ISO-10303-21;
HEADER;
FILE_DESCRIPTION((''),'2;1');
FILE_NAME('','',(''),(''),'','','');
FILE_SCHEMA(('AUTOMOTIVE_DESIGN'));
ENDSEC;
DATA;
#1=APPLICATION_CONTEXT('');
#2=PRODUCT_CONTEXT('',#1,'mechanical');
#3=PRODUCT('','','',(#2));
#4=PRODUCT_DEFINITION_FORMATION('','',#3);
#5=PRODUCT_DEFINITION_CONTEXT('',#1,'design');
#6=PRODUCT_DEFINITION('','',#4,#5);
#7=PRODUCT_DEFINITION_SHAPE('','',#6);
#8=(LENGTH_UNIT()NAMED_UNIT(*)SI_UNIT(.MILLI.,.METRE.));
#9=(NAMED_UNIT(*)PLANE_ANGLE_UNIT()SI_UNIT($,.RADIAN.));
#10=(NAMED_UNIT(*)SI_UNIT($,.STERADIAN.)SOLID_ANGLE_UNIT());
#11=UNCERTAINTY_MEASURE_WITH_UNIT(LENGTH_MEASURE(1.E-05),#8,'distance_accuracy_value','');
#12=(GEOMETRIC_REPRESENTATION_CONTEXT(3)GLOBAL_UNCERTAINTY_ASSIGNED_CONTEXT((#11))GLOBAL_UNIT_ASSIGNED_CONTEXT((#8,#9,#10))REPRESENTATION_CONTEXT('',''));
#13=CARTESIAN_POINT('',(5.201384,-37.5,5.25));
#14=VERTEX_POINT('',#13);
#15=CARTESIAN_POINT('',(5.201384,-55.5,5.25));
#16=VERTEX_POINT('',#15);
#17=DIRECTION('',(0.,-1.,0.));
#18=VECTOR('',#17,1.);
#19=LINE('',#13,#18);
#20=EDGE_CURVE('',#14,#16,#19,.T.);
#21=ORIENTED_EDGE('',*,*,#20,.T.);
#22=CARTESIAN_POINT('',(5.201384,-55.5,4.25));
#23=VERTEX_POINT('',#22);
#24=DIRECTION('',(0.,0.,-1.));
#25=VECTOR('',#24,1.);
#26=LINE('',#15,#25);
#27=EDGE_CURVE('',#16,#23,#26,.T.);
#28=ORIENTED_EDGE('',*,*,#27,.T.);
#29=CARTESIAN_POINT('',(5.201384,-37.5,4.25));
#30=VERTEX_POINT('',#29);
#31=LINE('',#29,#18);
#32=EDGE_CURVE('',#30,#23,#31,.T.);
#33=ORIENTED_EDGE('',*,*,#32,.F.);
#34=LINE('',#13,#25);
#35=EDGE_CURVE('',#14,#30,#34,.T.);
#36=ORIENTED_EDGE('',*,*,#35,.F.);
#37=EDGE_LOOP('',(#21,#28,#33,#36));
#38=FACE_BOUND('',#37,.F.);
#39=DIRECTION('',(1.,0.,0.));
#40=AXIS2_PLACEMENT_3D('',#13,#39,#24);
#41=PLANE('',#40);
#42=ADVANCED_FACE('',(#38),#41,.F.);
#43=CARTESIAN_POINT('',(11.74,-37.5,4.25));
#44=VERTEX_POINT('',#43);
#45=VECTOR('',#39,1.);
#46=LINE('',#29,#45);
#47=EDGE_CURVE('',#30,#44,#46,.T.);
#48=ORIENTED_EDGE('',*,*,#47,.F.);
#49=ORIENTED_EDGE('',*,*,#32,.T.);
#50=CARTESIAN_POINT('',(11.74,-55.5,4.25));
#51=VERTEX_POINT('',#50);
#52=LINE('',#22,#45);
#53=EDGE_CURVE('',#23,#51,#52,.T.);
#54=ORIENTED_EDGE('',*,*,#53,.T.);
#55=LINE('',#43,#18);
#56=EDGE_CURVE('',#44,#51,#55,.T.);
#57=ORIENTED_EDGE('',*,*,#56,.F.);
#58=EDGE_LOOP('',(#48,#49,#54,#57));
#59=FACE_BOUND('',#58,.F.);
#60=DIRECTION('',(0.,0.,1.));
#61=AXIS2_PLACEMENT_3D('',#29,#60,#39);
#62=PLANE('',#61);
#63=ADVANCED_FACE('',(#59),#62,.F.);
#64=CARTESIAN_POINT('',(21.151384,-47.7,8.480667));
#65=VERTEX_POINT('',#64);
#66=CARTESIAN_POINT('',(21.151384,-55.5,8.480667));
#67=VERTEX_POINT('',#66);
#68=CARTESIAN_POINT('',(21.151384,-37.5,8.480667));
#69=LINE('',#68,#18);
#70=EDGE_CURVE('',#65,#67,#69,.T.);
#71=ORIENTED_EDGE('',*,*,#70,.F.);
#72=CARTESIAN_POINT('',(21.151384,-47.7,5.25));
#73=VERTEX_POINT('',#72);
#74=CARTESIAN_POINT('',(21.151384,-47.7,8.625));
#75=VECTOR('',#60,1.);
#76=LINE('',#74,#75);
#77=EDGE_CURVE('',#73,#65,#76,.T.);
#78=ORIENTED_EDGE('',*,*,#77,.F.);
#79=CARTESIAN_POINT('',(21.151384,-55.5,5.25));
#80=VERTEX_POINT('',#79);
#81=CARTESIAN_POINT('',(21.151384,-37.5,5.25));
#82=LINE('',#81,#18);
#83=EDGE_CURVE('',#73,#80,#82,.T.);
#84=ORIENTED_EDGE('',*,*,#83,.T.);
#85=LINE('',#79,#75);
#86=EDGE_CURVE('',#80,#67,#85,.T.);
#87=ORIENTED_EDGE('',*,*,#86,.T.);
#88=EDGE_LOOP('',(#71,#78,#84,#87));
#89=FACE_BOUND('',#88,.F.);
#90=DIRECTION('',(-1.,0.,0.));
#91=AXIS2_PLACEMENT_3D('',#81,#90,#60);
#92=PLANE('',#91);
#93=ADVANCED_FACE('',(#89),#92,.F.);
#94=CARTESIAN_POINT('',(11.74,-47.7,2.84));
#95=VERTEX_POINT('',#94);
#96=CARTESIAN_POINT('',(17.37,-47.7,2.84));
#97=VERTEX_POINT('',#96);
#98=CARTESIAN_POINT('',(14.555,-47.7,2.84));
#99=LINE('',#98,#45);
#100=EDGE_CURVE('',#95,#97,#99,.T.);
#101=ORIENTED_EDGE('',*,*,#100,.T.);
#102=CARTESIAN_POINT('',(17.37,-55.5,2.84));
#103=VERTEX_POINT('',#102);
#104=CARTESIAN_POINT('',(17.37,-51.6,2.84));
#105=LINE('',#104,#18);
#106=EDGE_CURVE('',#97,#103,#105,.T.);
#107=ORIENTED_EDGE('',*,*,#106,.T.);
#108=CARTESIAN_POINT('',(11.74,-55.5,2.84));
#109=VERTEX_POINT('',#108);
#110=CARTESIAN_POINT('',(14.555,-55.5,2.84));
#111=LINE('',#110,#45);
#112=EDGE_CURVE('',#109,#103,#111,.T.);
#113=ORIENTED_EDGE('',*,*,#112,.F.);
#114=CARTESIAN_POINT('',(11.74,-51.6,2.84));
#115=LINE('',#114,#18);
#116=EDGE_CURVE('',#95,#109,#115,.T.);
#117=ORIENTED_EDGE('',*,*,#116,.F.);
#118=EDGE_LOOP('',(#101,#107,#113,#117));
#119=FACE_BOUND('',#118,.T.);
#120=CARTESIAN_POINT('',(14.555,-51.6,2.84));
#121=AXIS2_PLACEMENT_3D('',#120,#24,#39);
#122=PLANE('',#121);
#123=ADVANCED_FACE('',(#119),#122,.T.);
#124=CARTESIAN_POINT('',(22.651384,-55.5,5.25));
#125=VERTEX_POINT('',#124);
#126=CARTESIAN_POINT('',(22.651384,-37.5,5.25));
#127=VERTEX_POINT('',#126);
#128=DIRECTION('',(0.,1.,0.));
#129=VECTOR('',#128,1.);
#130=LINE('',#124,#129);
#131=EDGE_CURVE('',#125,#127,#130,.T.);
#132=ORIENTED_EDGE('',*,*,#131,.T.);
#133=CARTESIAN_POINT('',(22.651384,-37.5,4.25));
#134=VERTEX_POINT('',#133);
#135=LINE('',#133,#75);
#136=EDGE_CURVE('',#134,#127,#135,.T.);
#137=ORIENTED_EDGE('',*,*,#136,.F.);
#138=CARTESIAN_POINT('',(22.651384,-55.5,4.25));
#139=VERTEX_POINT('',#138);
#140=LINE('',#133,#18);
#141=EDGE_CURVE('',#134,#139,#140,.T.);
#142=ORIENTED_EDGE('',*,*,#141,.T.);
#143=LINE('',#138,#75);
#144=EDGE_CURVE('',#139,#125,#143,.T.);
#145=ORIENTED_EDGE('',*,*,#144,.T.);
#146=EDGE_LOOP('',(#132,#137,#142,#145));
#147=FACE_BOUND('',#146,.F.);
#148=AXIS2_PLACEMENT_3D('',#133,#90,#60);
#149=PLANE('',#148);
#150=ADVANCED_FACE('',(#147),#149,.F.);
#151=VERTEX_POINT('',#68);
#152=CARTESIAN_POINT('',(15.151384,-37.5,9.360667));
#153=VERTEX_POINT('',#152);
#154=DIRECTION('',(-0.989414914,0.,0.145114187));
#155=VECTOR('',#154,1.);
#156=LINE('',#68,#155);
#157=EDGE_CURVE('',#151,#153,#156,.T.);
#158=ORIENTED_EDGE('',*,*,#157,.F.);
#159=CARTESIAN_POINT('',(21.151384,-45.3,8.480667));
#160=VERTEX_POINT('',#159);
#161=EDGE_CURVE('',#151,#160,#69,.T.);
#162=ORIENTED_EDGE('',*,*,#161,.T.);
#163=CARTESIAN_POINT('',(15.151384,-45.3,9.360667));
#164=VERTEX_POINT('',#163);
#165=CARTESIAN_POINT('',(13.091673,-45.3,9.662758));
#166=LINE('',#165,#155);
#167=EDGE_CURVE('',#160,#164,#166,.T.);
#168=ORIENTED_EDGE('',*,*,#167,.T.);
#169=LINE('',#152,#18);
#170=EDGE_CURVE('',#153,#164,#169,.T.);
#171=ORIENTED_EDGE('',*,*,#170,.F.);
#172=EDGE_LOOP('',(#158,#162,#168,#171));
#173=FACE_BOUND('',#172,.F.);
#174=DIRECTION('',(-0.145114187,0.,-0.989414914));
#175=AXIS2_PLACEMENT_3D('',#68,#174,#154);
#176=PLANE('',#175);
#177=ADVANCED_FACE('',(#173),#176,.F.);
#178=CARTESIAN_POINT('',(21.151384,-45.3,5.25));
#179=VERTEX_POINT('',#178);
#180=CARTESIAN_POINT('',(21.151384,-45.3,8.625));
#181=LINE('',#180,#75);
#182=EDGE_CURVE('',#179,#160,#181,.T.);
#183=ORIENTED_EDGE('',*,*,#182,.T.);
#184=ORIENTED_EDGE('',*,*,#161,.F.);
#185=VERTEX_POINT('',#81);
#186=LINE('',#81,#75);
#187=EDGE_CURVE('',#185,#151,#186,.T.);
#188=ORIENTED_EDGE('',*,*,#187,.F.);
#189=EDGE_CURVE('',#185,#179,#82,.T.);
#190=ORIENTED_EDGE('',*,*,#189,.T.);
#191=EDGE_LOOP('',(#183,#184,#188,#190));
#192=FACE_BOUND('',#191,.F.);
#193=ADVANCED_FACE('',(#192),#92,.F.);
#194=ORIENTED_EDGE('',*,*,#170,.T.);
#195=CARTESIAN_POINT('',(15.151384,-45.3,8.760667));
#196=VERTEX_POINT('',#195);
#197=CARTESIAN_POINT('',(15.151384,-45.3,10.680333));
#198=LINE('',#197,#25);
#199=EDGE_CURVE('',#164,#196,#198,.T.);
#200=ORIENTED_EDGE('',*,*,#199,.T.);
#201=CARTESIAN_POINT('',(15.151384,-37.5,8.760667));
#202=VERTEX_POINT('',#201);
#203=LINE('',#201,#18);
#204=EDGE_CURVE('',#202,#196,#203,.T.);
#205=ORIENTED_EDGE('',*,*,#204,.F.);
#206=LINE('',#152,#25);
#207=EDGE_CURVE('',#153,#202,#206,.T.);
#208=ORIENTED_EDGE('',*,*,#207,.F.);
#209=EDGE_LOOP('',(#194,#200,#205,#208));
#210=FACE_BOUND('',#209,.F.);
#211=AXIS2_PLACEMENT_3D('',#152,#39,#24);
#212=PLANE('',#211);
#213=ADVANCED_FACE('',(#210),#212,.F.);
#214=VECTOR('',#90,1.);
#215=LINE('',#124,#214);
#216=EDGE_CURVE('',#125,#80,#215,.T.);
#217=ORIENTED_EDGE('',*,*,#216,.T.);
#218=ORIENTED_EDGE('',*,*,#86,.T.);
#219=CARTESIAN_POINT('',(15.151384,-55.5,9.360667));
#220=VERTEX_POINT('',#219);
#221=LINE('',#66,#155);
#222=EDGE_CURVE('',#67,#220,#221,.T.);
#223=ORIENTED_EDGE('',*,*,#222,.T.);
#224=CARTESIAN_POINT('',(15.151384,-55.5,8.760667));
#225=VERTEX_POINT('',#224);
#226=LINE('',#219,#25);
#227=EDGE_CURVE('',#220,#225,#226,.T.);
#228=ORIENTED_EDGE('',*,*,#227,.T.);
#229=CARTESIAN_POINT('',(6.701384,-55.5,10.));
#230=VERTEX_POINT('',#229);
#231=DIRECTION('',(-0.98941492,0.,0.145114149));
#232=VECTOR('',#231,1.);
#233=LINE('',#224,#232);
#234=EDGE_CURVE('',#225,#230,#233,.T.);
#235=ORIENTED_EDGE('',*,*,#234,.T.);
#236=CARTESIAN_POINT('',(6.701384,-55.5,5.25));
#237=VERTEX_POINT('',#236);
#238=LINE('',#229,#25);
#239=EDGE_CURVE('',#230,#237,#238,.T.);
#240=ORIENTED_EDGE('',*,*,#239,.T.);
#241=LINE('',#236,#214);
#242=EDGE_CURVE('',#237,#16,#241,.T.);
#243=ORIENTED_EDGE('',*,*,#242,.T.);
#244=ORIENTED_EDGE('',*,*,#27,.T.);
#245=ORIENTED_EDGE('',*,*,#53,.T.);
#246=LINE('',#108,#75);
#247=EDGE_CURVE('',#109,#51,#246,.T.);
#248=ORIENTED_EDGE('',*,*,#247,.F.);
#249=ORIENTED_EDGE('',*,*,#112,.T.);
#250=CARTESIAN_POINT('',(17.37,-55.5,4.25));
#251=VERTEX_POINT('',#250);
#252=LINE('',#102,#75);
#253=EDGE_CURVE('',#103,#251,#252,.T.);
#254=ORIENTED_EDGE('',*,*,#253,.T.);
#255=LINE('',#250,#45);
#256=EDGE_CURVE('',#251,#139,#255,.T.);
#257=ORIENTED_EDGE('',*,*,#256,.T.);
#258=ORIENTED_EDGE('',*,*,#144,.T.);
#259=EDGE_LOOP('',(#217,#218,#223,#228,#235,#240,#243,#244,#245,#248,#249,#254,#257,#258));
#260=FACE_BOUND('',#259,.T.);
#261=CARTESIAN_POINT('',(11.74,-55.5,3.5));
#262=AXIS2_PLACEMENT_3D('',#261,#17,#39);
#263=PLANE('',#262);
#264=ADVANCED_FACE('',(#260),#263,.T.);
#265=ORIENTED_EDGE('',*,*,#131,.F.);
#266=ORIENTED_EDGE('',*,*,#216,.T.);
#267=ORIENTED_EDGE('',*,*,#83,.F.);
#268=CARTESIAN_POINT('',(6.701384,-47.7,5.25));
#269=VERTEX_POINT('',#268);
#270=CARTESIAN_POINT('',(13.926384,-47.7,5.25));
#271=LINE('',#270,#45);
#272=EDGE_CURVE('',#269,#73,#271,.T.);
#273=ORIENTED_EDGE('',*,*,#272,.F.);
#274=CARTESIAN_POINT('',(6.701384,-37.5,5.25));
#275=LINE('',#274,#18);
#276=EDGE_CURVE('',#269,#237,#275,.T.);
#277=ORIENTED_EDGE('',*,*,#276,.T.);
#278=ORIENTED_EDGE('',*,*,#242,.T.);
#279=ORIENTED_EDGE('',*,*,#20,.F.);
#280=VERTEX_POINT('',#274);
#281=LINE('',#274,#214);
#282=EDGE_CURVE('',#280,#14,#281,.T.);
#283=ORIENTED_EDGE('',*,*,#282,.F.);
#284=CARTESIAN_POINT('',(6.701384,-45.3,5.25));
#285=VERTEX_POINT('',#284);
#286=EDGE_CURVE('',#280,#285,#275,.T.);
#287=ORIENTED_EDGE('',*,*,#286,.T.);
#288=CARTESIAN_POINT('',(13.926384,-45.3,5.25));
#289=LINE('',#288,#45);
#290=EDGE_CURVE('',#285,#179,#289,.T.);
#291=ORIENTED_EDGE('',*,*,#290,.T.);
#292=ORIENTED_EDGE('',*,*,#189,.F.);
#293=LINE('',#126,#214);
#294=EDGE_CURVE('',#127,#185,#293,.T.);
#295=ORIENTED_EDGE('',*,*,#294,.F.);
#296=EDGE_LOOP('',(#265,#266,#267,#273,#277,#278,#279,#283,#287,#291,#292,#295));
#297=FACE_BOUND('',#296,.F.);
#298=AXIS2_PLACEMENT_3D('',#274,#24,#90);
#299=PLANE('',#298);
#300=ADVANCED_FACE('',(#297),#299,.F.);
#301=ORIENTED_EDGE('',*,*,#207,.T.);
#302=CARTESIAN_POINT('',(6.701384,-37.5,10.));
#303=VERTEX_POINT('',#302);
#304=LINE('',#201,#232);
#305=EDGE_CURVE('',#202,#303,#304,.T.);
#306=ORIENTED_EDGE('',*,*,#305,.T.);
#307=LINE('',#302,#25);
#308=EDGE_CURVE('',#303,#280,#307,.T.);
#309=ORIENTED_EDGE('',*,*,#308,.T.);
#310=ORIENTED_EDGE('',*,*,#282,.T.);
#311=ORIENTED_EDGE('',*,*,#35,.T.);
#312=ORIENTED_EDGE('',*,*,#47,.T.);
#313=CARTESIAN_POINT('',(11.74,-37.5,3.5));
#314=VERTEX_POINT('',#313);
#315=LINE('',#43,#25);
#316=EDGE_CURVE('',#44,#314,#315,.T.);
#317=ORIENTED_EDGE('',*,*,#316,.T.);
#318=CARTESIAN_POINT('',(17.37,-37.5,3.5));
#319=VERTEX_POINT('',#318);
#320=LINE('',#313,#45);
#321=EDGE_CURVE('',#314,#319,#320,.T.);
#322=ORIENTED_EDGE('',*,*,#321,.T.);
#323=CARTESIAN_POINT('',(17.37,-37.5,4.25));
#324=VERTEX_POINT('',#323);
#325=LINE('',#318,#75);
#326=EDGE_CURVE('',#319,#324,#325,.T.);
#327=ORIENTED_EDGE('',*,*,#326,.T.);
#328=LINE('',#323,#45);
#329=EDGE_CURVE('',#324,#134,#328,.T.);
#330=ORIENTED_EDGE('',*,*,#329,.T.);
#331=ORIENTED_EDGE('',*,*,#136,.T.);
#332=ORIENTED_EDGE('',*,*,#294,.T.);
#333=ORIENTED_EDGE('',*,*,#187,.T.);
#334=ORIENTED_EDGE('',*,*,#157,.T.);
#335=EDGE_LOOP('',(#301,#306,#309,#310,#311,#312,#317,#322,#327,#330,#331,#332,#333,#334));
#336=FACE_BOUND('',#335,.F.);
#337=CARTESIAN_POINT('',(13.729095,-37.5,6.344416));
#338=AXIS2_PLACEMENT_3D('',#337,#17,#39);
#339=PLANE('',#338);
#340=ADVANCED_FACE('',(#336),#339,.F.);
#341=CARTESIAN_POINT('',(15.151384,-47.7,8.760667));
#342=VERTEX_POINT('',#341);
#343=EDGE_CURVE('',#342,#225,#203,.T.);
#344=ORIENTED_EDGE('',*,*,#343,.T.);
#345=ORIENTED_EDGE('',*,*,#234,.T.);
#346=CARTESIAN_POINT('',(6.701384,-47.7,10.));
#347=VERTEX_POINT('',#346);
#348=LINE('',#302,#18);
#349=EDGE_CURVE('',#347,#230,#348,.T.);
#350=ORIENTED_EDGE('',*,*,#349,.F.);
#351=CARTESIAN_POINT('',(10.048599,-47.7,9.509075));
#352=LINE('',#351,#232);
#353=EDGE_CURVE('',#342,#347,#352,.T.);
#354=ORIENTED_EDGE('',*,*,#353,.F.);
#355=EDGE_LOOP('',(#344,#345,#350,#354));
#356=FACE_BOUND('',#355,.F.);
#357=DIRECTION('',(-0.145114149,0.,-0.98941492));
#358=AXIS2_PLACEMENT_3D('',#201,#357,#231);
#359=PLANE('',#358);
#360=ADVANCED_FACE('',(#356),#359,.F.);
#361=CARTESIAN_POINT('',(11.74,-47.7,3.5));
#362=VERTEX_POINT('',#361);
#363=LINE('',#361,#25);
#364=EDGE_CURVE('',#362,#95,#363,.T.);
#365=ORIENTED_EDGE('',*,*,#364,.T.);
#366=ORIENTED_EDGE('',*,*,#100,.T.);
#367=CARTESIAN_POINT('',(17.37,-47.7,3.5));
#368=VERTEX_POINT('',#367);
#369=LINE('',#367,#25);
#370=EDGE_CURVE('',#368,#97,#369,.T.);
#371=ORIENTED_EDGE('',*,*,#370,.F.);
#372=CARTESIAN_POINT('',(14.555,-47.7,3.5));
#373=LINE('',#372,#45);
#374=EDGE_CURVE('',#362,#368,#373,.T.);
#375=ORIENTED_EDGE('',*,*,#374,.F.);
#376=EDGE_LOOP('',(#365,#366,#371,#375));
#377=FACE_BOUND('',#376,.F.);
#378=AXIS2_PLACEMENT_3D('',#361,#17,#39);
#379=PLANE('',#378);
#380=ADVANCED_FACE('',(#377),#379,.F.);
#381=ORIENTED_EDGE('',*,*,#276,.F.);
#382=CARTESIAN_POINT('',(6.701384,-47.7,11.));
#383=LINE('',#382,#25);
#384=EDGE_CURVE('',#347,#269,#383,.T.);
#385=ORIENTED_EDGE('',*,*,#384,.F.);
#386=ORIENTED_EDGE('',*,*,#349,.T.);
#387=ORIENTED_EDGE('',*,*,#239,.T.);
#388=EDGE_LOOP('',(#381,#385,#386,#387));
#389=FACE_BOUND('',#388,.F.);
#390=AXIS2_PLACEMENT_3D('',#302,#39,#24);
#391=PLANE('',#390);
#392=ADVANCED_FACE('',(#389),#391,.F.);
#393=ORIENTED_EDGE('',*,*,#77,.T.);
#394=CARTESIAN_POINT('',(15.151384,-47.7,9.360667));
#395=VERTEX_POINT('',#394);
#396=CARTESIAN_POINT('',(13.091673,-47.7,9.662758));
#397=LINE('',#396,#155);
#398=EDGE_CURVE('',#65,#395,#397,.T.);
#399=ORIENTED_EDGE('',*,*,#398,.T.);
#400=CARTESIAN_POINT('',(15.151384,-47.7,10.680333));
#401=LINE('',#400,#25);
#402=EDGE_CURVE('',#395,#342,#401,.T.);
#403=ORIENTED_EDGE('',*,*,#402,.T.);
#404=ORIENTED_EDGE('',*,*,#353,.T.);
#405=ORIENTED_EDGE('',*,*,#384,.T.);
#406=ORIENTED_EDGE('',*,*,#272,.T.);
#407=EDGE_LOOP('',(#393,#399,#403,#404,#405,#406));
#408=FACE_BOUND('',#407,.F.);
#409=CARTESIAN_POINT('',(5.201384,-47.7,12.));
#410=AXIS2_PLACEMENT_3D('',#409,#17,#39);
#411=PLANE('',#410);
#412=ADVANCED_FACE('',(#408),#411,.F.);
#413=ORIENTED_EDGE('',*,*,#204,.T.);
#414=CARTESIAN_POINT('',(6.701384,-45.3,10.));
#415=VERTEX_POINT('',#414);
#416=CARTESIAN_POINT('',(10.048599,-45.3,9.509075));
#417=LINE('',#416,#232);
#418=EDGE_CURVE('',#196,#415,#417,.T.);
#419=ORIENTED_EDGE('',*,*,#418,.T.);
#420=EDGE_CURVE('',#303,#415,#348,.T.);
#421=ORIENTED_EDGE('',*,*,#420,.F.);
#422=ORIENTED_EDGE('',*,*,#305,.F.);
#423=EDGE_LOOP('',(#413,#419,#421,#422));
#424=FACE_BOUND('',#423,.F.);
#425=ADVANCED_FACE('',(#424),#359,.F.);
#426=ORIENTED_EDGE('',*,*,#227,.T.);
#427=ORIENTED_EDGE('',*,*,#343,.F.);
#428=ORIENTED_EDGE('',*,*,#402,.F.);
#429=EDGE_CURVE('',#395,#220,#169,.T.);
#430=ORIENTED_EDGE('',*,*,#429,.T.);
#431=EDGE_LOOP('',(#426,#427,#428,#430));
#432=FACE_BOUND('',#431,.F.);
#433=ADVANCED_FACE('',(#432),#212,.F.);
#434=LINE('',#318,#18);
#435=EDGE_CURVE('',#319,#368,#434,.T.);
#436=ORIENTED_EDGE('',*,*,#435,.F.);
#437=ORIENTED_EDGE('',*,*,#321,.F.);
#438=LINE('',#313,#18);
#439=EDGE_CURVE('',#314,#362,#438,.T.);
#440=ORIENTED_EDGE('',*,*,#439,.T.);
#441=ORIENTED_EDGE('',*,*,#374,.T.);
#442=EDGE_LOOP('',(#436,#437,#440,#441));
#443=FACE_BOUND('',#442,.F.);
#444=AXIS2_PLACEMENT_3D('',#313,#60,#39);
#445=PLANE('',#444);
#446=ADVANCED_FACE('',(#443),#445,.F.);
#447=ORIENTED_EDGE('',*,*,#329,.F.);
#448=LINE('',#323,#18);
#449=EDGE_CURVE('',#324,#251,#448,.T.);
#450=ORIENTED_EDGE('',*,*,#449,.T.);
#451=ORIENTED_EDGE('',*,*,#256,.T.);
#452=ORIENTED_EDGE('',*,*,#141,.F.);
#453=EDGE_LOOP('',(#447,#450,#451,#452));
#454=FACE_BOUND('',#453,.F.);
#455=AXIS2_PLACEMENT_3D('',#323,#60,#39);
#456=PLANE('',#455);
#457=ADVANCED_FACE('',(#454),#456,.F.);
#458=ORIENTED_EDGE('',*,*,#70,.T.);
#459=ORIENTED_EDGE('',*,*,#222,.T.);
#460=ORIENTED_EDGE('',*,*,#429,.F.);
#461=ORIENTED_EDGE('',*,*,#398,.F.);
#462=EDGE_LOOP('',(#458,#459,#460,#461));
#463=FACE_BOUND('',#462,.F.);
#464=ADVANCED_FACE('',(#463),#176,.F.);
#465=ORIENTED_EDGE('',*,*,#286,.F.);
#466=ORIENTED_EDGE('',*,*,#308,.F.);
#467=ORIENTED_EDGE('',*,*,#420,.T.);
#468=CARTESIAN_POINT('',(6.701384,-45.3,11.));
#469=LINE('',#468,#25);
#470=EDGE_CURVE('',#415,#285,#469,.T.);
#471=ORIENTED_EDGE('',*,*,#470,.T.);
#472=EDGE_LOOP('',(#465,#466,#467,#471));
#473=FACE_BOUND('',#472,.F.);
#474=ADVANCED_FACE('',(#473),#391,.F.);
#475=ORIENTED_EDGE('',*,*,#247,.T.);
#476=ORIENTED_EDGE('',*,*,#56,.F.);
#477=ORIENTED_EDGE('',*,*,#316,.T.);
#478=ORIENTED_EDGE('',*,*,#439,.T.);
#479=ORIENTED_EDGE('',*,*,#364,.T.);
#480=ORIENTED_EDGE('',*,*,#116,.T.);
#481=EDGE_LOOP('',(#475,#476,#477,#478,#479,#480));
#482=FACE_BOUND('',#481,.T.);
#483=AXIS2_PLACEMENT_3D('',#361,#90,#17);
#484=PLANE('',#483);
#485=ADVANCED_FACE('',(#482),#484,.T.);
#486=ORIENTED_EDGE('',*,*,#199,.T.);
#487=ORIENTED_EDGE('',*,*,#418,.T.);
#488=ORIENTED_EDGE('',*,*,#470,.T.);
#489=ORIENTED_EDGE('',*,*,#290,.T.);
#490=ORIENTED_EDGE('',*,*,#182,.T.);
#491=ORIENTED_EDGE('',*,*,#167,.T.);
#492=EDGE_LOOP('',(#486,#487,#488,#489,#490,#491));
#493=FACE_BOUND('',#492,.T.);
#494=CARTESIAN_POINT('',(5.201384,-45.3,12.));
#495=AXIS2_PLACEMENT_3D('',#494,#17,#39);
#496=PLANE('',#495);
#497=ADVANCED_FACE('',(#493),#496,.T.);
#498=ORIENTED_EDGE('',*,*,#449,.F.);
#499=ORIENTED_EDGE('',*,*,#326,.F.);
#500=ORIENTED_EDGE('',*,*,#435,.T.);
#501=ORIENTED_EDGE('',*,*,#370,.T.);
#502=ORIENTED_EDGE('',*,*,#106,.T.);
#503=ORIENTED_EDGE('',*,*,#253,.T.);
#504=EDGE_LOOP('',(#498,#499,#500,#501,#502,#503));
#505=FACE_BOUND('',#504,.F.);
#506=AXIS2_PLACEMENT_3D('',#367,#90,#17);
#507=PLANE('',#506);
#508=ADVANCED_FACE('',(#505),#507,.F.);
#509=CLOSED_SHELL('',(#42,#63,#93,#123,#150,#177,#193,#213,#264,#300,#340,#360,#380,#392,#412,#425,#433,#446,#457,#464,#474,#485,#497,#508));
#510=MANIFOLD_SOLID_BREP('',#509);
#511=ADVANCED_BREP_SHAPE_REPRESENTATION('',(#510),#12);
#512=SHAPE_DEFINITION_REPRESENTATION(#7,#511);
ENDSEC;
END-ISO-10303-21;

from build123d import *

# Parameters (mm, degrees)
PAD006_DEPTH    = 18
SKETCH017_W     = 17.45
SKETCH017_H     = 2.4
POCKET010_DEPTH = 6.75
SKETCH018_W     = 5.63
SKETCH018_H     = 7.8
PAD007_DEPTH    = 0.66


with BuildPart() as part:
    # Sketch016 → Pad006 (new body)
    with BuildSketch(Plane.XZ):
        Polygon((21.151384, 8.480667), (15.151384, 9.360667), (15.151384, 8.760667), (6.701384, 10), (6.701384, 5.25), (5.201384, 5.25), (5.201384, 4.25), (11.74, 4.25), (11.74, 3.5), (17.37, 3.5), (17.37, 4.25), (22.651384, 4.25), (22.651384, 5.25), (21.151384, 5.25), align=None)
    extrude(amount=PAD006_DEPTH)

    # Sketch017 → Pocket010 (cut)
    with BuildSketch(Plane.XY.offset(12)):
        with Locations((13.926384, -9)):
            Rectangle(SKETCH017_W, SKETCH017_H)
    extrude(amount=-POCKET010_DEPTH, mode=Mode.SUBTRACT)

    # Sketch018 (on Face13 of Pocket010) → Pad007 (join)
    with BuildSketch(Plane(origin=(0, 0, 3.5), x_dir=(1, 0, 0), z_dir=(0, 0, -1))):
        with Locations((14.555, 14.1)):
            Rectangle(SKETCH018_W, SKETCH018_H)
    extrude(amount=PAD007_DEPTH)


with BuildPart() as part_1:
    # Body003 placement: moved
    add(part.part.moved(Location((0, -37.5, 0))))


solid = part_1.part
